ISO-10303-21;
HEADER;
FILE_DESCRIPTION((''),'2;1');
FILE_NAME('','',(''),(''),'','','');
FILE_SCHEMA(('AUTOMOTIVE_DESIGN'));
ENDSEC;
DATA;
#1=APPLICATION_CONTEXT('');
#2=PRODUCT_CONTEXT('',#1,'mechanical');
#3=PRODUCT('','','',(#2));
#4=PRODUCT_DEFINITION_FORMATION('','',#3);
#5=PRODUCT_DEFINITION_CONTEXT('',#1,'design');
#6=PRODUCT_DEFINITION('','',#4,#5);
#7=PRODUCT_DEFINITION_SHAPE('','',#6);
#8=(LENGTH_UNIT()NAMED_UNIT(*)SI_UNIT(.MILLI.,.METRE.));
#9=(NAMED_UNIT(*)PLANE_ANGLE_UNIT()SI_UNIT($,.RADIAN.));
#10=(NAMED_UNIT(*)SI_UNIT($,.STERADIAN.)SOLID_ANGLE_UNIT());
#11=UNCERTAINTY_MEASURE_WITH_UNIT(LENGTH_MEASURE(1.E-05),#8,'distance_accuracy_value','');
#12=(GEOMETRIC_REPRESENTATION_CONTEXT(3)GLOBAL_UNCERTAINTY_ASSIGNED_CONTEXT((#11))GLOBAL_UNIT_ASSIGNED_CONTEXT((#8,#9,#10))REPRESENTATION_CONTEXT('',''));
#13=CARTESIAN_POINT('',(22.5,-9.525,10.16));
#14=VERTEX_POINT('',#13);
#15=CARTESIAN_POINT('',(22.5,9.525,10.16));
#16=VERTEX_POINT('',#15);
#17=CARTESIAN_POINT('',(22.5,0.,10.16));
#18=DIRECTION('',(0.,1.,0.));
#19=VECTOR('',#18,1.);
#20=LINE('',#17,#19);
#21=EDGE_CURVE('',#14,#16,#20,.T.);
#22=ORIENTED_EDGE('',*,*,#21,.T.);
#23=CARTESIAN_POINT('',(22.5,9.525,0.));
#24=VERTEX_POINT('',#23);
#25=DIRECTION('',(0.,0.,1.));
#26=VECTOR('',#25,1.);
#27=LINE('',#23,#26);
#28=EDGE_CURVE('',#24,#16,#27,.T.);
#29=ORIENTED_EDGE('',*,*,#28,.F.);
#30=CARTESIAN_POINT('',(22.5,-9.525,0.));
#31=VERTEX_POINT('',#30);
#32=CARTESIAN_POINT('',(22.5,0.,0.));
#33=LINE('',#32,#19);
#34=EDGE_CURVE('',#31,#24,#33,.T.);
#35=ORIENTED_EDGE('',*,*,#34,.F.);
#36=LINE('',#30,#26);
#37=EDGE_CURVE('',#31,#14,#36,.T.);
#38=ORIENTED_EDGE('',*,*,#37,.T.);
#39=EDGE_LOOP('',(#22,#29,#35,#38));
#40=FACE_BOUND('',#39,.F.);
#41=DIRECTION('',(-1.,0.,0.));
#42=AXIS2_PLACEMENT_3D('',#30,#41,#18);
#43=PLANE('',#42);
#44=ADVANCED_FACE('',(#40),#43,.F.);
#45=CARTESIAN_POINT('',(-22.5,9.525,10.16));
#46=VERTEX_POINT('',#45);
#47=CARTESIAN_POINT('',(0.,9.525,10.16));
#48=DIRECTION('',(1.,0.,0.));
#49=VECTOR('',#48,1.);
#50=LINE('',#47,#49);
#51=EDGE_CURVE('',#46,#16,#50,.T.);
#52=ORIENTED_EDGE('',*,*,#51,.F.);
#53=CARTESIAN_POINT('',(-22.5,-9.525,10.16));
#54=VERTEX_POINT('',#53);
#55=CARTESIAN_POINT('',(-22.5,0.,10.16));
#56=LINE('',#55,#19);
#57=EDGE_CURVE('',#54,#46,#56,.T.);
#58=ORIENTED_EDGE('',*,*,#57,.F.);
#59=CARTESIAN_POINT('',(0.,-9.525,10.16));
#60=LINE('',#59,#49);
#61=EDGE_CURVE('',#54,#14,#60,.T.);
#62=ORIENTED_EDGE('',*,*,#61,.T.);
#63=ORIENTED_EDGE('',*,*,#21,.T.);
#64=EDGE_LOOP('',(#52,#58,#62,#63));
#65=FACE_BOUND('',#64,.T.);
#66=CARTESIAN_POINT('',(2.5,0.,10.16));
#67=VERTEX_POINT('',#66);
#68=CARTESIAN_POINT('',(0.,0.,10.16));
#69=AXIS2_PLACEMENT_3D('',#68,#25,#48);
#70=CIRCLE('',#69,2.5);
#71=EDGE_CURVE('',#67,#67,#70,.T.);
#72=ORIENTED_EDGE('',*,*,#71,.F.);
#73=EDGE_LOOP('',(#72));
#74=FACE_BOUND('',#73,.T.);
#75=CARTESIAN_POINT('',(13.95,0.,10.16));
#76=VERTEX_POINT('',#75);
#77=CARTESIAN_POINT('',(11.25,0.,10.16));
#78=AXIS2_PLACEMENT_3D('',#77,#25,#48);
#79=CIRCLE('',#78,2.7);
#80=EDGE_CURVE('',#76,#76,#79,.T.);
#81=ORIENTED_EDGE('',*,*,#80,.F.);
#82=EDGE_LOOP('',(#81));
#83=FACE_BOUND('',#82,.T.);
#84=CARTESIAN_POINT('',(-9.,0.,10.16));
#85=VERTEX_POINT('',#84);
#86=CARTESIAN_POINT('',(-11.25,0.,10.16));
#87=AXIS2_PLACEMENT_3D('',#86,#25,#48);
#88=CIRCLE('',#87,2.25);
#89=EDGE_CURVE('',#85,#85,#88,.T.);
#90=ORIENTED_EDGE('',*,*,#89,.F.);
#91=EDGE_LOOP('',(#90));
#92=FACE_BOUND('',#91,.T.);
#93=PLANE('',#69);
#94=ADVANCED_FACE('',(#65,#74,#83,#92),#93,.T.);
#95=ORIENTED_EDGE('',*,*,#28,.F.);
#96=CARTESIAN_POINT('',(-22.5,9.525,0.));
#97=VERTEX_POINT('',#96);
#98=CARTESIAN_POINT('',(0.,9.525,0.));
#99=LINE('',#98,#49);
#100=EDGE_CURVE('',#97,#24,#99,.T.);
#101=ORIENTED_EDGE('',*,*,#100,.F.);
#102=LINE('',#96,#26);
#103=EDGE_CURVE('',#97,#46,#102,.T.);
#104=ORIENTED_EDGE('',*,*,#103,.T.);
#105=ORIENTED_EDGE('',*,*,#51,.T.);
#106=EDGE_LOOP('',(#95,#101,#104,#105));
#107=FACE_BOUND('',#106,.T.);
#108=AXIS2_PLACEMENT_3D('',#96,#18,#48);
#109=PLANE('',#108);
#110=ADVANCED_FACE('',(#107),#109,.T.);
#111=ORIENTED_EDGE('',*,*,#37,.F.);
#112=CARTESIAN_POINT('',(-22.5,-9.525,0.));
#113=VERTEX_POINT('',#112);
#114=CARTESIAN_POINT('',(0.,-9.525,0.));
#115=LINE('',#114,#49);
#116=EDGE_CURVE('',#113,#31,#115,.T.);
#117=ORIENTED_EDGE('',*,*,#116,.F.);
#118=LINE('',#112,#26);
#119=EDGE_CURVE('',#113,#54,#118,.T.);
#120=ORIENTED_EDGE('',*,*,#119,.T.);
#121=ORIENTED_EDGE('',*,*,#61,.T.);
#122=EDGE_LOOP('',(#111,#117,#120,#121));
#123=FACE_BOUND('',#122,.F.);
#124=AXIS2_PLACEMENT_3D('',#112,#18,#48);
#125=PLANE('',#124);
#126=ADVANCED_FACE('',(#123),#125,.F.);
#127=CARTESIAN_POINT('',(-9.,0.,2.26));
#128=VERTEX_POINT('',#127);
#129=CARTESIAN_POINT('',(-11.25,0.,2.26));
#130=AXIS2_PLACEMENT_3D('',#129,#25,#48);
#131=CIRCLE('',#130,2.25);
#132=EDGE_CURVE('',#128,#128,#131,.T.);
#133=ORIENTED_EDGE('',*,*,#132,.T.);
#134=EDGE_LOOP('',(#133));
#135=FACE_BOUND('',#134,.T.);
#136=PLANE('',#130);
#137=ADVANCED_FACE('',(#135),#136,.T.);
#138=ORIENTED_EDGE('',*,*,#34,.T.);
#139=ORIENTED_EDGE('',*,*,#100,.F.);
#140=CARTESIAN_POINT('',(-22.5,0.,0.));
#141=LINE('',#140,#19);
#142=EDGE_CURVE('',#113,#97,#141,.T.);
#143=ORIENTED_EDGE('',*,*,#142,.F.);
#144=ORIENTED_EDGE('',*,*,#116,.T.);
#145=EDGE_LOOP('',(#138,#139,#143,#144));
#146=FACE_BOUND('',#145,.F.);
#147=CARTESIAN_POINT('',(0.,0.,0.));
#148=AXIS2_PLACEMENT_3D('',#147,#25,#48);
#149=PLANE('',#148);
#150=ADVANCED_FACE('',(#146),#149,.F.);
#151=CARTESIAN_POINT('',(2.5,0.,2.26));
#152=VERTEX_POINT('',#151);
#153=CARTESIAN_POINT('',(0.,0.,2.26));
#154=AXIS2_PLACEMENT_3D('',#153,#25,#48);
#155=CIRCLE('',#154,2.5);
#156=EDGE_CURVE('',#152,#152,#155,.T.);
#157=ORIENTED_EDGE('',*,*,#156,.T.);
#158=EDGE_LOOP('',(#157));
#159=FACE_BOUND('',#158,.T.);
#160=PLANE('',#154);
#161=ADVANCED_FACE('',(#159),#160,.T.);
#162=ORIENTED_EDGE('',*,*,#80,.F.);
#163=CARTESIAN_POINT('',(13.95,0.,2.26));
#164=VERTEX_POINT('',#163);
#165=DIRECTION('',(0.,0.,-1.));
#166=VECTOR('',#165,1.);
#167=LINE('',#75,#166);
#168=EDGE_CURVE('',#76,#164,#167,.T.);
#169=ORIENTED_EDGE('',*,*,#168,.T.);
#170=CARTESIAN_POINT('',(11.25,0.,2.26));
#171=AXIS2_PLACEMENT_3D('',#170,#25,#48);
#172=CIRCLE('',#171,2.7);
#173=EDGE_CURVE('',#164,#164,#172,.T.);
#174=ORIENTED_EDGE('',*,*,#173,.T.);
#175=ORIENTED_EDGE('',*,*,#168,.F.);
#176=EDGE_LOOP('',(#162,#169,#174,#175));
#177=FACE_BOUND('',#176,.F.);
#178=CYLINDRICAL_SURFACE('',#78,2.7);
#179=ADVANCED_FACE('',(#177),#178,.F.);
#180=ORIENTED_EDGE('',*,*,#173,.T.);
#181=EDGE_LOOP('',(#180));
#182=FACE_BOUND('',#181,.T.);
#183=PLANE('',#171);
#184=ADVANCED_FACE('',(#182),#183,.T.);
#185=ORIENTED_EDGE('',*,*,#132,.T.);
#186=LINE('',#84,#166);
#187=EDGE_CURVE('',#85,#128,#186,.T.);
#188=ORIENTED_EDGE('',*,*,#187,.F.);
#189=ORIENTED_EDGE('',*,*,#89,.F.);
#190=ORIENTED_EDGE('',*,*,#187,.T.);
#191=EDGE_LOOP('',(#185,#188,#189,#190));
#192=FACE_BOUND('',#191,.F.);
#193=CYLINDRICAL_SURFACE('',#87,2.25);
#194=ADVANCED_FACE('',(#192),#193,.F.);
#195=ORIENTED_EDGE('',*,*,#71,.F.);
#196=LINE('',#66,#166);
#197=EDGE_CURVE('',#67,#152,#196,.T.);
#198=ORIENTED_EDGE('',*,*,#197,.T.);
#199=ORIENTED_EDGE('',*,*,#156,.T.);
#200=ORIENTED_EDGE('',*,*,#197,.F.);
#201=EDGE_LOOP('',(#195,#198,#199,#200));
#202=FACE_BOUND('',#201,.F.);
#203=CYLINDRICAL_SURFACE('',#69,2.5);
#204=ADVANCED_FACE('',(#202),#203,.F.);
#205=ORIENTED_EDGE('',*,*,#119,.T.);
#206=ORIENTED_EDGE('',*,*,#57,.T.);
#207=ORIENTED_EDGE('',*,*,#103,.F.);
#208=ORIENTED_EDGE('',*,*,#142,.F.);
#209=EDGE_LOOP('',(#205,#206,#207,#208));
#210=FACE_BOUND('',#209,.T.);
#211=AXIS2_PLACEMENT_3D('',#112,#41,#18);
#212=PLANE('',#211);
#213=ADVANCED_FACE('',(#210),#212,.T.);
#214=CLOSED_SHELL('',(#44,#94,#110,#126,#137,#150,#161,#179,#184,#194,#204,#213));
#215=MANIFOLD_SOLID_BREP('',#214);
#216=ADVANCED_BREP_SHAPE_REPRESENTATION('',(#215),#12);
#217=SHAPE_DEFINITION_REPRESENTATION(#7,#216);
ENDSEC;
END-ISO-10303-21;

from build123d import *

# Parameters (mm, degrees)
F0_W     = 45
F0_H     = 19.05
F1_DEPTH = 10.16
F2_R     = 2.25
F2_R_2   = 2.5
F2_R_3   = 2.7
F3_DEPTH = 7.9


with BuildPart() as f1:
    # F0 (on Top) → F1 (new body)
    with BuildSketch(Plane.XY):
        Rectangle(F0_W, F0_H)
    extrude(amount=F1_DEPTH)

    # F2 (on face) → F3 (cut)
    with BuildSketch(Plane.XY.offset(10.16)):
        with Locations((-11.25, 0)):
            Circle(F2_R)
        Circle(F2_R_2)
        with Locations((11.25, 0)):
            Circle(F2_R_3)
    extrude(amount=-F3_DEPTH, mode=Mode.SUBTRACT)


solid = f1.part
